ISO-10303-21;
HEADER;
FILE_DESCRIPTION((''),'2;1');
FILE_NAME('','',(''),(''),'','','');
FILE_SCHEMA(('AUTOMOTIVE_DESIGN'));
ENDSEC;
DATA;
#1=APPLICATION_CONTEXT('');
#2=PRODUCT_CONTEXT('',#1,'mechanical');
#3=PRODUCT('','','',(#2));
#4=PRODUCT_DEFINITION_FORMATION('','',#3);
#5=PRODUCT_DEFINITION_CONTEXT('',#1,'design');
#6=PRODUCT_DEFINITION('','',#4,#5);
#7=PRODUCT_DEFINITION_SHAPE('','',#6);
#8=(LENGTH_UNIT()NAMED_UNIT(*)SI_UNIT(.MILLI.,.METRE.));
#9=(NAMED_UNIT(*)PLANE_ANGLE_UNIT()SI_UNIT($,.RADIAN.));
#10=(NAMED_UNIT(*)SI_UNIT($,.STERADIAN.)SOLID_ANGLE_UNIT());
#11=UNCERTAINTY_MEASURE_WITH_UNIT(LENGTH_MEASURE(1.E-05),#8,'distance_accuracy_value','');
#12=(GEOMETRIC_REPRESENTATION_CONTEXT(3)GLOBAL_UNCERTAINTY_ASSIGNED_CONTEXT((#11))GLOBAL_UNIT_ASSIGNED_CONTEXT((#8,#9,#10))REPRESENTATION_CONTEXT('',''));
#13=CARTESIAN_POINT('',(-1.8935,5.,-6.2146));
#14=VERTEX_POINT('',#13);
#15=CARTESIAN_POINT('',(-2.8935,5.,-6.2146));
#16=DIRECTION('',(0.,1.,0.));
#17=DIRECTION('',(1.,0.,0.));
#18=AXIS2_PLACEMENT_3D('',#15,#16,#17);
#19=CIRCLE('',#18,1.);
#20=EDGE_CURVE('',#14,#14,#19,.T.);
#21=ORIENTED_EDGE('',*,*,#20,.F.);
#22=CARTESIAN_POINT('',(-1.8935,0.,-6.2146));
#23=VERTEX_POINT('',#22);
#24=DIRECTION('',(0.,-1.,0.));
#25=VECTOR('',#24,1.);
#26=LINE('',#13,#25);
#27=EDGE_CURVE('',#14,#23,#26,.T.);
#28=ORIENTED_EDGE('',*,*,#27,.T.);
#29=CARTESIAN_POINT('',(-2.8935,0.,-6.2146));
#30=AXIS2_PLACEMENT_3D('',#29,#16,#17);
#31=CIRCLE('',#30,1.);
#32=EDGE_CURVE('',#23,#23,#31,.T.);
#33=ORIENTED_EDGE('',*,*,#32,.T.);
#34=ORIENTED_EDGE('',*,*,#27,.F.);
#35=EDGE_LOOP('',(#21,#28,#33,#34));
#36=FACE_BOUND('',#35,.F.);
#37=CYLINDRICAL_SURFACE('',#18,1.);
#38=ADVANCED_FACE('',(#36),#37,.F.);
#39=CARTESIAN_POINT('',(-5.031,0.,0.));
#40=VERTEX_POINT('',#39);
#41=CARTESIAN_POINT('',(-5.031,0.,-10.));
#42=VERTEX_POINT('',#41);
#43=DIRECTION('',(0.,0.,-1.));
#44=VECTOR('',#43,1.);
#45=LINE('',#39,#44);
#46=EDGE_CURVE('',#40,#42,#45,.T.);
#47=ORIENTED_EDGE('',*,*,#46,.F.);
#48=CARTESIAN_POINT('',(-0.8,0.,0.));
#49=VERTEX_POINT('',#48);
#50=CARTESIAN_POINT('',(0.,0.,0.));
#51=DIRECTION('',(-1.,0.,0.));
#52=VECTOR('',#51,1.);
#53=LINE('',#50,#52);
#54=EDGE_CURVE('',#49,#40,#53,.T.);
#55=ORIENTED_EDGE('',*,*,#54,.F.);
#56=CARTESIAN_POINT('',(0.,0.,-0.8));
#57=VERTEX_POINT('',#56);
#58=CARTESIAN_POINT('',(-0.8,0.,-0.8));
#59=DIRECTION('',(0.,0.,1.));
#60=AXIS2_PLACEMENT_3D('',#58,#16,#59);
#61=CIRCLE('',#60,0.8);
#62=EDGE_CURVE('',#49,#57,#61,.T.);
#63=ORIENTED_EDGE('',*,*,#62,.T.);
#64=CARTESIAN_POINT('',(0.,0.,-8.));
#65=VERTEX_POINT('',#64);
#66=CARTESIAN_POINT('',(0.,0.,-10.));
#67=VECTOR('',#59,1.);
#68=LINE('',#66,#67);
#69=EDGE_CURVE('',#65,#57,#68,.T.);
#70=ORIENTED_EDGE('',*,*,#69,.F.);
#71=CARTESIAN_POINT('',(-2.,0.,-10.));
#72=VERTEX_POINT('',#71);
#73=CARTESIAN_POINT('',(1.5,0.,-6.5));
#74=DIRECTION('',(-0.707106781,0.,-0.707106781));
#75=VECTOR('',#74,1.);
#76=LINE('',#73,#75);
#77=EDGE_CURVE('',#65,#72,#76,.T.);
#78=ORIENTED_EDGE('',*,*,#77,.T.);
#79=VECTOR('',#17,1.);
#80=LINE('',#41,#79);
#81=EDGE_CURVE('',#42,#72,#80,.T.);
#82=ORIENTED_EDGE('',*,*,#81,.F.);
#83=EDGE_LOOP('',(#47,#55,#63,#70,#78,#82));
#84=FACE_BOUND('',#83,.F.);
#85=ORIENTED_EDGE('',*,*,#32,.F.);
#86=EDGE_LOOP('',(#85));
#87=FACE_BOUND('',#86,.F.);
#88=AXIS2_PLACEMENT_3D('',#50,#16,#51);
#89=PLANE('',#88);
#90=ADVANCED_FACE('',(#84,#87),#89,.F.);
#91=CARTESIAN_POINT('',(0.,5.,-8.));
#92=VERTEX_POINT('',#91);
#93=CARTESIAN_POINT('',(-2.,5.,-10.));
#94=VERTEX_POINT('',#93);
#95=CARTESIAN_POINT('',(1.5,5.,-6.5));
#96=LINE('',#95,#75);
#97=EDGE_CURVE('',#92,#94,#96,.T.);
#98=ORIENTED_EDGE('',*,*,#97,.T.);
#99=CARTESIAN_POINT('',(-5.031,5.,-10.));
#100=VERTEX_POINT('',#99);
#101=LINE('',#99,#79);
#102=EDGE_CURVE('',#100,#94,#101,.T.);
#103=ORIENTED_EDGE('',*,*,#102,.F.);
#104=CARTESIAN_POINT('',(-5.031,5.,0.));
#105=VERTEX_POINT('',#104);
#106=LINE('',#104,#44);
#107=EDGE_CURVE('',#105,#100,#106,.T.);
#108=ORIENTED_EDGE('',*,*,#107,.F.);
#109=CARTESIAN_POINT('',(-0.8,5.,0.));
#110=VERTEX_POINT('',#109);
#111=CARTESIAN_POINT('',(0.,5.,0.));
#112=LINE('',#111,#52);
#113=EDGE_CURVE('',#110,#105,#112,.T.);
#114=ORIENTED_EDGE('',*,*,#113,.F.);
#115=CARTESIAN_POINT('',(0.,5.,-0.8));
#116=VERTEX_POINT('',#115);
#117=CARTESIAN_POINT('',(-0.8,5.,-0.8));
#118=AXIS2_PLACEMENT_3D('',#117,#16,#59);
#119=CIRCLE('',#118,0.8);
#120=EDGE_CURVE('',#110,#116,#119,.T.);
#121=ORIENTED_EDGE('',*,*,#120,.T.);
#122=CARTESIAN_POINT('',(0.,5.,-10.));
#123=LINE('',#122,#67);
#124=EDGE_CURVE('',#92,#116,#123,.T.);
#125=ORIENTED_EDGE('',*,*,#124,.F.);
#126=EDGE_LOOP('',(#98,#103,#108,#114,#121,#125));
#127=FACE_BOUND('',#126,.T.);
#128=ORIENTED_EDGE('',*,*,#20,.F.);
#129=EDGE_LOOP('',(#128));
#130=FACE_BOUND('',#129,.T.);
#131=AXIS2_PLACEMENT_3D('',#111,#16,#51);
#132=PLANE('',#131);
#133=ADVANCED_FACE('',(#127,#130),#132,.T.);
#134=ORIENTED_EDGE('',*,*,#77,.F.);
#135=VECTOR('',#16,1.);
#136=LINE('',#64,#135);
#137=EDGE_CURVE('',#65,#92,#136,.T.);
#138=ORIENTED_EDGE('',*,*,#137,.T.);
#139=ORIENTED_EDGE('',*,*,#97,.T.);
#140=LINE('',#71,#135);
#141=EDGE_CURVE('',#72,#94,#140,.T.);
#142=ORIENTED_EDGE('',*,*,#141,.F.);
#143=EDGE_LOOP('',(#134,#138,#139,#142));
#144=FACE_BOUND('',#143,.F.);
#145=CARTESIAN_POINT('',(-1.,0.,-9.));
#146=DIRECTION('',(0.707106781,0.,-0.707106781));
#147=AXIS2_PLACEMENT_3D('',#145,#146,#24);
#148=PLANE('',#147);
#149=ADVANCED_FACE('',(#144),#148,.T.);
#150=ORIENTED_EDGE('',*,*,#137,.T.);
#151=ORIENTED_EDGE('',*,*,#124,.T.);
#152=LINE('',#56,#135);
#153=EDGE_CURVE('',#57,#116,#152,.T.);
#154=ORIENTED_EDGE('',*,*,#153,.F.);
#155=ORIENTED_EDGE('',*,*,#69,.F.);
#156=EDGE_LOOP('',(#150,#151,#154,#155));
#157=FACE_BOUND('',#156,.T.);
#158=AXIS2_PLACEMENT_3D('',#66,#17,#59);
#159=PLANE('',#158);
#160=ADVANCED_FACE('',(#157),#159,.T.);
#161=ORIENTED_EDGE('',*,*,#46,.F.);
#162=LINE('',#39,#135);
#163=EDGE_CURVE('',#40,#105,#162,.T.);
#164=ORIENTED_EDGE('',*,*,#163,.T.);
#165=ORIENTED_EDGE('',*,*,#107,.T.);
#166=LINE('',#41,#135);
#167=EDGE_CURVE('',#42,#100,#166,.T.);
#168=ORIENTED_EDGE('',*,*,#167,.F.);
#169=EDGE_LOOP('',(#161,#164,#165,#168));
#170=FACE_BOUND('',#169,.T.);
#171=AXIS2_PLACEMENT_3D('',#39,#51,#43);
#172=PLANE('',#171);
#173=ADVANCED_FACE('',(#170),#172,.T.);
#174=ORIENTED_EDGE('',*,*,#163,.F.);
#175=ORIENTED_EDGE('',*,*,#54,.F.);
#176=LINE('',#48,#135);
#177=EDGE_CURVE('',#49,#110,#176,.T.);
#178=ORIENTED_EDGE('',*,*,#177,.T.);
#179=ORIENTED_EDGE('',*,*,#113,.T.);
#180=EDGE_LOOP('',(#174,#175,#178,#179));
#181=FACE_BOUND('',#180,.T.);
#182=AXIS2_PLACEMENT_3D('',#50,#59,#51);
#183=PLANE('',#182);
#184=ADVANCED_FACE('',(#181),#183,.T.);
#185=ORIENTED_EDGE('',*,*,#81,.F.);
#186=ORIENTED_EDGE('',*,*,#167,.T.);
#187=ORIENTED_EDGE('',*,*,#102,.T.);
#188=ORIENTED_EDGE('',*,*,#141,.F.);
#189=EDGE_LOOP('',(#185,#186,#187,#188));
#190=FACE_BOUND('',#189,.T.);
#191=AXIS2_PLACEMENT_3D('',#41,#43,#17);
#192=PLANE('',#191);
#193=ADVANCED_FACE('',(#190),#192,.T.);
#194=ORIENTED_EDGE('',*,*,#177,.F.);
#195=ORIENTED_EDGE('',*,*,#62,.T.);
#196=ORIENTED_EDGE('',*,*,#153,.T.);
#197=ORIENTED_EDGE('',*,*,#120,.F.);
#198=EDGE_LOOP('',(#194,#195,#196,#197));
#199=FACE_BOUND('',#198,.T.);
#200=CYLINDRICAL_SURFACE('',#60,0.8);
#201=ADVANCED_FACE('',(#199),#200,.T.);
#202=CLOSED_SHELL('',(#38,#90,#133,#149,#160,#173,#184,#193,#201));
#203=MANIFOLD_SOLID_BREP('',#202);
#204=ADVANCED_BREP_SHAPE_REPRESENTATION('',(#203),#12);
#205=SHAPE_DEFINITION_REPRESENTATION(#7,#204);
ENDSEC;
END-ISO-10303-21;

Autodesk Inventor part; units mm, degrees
ref_plane "YZ Plane" through (0, 0, 0) normal (1, 0, 0) x (0, 1, 0)
ref_plane "XZ Plane" through (0, 0, 0) normal (0, 1, 0) x (-1, 0, 0)
ref_plane "XY Plane" through (0, 0, 0) normal (0, 0, 1) x (1, 0, 0)
sketch "Sketch1" plane through (0, 0, 0) normal (0, 1, 0) x (-1, 0, 0)
  line L0 (0, 0) -> (5.031, 0)
  line L1 (5.031, 0) -> (5.031, -10)
  line L2 (5.031, -10) -> (0, -10)
  line L3 (0, -10) -> (0, 0)
  dimension "d0" = 10
extrude "Extrusion1" add sketch "Sketch1" along normal blind 5
sketch "Sketch2" plane through (0, 5, 0) normal (0, 1, 0) x (1, 0, 0)
  point P0 (0, 0)
sketch "Sketch3" plane through (0, 5, 0) normal (0, 1, 0) x (1, 0, 0)
  circle A0 centre (-2.8935, 6.2146) radius 1
  point P0 (0, 0)
  dimension "d14" = 2
extrude "Extrusion2" cut sketch "Sketch3" against normal blind 5
fillet "Fillet1" radius 0.8 1 edges at (0, 2.5, 0)
chamfer "Chamfer1" distance 2 angle 45 1 edges at (0, 2.5, -10)
sketch "Sketch4" plane through (0, 5, 0) normal (0, 1, 0) x (1, 0, 0)
  line L0 (-5.031, 0) -> (-0.8, 0) construction
  line L1 (-5.031, 0) -> (-5.031, 5.2141) construction
  line L2 (-5.031, 5.2141) -> (-0.484, 5.2141) construction
  line L3 (-0.484, 5.2141) -> (-0.484, 0) construction
  line L4 (-0.484, 0) -> (-3.3034, 3.9743) construction
  line L5 (-3.3034, 3.9743) -> (-0.484, 5.2141) construction
  line L6 (-5.031, 0) -> (-5.031, 3) construction
  line L7 (-5.031, 10) -> (-5.031, 0) construction
  line L8 (-5.031, 3) -> (-2.031, 3) construction
  circle A0 centre (-2.031, 3) radius 1 construction
  circle A1 centre (-2.031, 3) radius 1
  point P0 (0, 0)
  dimension "d9" = 3
  dimension "d10" = 3
  dimension "d11" = 90
  dimension "d12" = 2
  dimension "d13" = 2
properties part number "testpart"
